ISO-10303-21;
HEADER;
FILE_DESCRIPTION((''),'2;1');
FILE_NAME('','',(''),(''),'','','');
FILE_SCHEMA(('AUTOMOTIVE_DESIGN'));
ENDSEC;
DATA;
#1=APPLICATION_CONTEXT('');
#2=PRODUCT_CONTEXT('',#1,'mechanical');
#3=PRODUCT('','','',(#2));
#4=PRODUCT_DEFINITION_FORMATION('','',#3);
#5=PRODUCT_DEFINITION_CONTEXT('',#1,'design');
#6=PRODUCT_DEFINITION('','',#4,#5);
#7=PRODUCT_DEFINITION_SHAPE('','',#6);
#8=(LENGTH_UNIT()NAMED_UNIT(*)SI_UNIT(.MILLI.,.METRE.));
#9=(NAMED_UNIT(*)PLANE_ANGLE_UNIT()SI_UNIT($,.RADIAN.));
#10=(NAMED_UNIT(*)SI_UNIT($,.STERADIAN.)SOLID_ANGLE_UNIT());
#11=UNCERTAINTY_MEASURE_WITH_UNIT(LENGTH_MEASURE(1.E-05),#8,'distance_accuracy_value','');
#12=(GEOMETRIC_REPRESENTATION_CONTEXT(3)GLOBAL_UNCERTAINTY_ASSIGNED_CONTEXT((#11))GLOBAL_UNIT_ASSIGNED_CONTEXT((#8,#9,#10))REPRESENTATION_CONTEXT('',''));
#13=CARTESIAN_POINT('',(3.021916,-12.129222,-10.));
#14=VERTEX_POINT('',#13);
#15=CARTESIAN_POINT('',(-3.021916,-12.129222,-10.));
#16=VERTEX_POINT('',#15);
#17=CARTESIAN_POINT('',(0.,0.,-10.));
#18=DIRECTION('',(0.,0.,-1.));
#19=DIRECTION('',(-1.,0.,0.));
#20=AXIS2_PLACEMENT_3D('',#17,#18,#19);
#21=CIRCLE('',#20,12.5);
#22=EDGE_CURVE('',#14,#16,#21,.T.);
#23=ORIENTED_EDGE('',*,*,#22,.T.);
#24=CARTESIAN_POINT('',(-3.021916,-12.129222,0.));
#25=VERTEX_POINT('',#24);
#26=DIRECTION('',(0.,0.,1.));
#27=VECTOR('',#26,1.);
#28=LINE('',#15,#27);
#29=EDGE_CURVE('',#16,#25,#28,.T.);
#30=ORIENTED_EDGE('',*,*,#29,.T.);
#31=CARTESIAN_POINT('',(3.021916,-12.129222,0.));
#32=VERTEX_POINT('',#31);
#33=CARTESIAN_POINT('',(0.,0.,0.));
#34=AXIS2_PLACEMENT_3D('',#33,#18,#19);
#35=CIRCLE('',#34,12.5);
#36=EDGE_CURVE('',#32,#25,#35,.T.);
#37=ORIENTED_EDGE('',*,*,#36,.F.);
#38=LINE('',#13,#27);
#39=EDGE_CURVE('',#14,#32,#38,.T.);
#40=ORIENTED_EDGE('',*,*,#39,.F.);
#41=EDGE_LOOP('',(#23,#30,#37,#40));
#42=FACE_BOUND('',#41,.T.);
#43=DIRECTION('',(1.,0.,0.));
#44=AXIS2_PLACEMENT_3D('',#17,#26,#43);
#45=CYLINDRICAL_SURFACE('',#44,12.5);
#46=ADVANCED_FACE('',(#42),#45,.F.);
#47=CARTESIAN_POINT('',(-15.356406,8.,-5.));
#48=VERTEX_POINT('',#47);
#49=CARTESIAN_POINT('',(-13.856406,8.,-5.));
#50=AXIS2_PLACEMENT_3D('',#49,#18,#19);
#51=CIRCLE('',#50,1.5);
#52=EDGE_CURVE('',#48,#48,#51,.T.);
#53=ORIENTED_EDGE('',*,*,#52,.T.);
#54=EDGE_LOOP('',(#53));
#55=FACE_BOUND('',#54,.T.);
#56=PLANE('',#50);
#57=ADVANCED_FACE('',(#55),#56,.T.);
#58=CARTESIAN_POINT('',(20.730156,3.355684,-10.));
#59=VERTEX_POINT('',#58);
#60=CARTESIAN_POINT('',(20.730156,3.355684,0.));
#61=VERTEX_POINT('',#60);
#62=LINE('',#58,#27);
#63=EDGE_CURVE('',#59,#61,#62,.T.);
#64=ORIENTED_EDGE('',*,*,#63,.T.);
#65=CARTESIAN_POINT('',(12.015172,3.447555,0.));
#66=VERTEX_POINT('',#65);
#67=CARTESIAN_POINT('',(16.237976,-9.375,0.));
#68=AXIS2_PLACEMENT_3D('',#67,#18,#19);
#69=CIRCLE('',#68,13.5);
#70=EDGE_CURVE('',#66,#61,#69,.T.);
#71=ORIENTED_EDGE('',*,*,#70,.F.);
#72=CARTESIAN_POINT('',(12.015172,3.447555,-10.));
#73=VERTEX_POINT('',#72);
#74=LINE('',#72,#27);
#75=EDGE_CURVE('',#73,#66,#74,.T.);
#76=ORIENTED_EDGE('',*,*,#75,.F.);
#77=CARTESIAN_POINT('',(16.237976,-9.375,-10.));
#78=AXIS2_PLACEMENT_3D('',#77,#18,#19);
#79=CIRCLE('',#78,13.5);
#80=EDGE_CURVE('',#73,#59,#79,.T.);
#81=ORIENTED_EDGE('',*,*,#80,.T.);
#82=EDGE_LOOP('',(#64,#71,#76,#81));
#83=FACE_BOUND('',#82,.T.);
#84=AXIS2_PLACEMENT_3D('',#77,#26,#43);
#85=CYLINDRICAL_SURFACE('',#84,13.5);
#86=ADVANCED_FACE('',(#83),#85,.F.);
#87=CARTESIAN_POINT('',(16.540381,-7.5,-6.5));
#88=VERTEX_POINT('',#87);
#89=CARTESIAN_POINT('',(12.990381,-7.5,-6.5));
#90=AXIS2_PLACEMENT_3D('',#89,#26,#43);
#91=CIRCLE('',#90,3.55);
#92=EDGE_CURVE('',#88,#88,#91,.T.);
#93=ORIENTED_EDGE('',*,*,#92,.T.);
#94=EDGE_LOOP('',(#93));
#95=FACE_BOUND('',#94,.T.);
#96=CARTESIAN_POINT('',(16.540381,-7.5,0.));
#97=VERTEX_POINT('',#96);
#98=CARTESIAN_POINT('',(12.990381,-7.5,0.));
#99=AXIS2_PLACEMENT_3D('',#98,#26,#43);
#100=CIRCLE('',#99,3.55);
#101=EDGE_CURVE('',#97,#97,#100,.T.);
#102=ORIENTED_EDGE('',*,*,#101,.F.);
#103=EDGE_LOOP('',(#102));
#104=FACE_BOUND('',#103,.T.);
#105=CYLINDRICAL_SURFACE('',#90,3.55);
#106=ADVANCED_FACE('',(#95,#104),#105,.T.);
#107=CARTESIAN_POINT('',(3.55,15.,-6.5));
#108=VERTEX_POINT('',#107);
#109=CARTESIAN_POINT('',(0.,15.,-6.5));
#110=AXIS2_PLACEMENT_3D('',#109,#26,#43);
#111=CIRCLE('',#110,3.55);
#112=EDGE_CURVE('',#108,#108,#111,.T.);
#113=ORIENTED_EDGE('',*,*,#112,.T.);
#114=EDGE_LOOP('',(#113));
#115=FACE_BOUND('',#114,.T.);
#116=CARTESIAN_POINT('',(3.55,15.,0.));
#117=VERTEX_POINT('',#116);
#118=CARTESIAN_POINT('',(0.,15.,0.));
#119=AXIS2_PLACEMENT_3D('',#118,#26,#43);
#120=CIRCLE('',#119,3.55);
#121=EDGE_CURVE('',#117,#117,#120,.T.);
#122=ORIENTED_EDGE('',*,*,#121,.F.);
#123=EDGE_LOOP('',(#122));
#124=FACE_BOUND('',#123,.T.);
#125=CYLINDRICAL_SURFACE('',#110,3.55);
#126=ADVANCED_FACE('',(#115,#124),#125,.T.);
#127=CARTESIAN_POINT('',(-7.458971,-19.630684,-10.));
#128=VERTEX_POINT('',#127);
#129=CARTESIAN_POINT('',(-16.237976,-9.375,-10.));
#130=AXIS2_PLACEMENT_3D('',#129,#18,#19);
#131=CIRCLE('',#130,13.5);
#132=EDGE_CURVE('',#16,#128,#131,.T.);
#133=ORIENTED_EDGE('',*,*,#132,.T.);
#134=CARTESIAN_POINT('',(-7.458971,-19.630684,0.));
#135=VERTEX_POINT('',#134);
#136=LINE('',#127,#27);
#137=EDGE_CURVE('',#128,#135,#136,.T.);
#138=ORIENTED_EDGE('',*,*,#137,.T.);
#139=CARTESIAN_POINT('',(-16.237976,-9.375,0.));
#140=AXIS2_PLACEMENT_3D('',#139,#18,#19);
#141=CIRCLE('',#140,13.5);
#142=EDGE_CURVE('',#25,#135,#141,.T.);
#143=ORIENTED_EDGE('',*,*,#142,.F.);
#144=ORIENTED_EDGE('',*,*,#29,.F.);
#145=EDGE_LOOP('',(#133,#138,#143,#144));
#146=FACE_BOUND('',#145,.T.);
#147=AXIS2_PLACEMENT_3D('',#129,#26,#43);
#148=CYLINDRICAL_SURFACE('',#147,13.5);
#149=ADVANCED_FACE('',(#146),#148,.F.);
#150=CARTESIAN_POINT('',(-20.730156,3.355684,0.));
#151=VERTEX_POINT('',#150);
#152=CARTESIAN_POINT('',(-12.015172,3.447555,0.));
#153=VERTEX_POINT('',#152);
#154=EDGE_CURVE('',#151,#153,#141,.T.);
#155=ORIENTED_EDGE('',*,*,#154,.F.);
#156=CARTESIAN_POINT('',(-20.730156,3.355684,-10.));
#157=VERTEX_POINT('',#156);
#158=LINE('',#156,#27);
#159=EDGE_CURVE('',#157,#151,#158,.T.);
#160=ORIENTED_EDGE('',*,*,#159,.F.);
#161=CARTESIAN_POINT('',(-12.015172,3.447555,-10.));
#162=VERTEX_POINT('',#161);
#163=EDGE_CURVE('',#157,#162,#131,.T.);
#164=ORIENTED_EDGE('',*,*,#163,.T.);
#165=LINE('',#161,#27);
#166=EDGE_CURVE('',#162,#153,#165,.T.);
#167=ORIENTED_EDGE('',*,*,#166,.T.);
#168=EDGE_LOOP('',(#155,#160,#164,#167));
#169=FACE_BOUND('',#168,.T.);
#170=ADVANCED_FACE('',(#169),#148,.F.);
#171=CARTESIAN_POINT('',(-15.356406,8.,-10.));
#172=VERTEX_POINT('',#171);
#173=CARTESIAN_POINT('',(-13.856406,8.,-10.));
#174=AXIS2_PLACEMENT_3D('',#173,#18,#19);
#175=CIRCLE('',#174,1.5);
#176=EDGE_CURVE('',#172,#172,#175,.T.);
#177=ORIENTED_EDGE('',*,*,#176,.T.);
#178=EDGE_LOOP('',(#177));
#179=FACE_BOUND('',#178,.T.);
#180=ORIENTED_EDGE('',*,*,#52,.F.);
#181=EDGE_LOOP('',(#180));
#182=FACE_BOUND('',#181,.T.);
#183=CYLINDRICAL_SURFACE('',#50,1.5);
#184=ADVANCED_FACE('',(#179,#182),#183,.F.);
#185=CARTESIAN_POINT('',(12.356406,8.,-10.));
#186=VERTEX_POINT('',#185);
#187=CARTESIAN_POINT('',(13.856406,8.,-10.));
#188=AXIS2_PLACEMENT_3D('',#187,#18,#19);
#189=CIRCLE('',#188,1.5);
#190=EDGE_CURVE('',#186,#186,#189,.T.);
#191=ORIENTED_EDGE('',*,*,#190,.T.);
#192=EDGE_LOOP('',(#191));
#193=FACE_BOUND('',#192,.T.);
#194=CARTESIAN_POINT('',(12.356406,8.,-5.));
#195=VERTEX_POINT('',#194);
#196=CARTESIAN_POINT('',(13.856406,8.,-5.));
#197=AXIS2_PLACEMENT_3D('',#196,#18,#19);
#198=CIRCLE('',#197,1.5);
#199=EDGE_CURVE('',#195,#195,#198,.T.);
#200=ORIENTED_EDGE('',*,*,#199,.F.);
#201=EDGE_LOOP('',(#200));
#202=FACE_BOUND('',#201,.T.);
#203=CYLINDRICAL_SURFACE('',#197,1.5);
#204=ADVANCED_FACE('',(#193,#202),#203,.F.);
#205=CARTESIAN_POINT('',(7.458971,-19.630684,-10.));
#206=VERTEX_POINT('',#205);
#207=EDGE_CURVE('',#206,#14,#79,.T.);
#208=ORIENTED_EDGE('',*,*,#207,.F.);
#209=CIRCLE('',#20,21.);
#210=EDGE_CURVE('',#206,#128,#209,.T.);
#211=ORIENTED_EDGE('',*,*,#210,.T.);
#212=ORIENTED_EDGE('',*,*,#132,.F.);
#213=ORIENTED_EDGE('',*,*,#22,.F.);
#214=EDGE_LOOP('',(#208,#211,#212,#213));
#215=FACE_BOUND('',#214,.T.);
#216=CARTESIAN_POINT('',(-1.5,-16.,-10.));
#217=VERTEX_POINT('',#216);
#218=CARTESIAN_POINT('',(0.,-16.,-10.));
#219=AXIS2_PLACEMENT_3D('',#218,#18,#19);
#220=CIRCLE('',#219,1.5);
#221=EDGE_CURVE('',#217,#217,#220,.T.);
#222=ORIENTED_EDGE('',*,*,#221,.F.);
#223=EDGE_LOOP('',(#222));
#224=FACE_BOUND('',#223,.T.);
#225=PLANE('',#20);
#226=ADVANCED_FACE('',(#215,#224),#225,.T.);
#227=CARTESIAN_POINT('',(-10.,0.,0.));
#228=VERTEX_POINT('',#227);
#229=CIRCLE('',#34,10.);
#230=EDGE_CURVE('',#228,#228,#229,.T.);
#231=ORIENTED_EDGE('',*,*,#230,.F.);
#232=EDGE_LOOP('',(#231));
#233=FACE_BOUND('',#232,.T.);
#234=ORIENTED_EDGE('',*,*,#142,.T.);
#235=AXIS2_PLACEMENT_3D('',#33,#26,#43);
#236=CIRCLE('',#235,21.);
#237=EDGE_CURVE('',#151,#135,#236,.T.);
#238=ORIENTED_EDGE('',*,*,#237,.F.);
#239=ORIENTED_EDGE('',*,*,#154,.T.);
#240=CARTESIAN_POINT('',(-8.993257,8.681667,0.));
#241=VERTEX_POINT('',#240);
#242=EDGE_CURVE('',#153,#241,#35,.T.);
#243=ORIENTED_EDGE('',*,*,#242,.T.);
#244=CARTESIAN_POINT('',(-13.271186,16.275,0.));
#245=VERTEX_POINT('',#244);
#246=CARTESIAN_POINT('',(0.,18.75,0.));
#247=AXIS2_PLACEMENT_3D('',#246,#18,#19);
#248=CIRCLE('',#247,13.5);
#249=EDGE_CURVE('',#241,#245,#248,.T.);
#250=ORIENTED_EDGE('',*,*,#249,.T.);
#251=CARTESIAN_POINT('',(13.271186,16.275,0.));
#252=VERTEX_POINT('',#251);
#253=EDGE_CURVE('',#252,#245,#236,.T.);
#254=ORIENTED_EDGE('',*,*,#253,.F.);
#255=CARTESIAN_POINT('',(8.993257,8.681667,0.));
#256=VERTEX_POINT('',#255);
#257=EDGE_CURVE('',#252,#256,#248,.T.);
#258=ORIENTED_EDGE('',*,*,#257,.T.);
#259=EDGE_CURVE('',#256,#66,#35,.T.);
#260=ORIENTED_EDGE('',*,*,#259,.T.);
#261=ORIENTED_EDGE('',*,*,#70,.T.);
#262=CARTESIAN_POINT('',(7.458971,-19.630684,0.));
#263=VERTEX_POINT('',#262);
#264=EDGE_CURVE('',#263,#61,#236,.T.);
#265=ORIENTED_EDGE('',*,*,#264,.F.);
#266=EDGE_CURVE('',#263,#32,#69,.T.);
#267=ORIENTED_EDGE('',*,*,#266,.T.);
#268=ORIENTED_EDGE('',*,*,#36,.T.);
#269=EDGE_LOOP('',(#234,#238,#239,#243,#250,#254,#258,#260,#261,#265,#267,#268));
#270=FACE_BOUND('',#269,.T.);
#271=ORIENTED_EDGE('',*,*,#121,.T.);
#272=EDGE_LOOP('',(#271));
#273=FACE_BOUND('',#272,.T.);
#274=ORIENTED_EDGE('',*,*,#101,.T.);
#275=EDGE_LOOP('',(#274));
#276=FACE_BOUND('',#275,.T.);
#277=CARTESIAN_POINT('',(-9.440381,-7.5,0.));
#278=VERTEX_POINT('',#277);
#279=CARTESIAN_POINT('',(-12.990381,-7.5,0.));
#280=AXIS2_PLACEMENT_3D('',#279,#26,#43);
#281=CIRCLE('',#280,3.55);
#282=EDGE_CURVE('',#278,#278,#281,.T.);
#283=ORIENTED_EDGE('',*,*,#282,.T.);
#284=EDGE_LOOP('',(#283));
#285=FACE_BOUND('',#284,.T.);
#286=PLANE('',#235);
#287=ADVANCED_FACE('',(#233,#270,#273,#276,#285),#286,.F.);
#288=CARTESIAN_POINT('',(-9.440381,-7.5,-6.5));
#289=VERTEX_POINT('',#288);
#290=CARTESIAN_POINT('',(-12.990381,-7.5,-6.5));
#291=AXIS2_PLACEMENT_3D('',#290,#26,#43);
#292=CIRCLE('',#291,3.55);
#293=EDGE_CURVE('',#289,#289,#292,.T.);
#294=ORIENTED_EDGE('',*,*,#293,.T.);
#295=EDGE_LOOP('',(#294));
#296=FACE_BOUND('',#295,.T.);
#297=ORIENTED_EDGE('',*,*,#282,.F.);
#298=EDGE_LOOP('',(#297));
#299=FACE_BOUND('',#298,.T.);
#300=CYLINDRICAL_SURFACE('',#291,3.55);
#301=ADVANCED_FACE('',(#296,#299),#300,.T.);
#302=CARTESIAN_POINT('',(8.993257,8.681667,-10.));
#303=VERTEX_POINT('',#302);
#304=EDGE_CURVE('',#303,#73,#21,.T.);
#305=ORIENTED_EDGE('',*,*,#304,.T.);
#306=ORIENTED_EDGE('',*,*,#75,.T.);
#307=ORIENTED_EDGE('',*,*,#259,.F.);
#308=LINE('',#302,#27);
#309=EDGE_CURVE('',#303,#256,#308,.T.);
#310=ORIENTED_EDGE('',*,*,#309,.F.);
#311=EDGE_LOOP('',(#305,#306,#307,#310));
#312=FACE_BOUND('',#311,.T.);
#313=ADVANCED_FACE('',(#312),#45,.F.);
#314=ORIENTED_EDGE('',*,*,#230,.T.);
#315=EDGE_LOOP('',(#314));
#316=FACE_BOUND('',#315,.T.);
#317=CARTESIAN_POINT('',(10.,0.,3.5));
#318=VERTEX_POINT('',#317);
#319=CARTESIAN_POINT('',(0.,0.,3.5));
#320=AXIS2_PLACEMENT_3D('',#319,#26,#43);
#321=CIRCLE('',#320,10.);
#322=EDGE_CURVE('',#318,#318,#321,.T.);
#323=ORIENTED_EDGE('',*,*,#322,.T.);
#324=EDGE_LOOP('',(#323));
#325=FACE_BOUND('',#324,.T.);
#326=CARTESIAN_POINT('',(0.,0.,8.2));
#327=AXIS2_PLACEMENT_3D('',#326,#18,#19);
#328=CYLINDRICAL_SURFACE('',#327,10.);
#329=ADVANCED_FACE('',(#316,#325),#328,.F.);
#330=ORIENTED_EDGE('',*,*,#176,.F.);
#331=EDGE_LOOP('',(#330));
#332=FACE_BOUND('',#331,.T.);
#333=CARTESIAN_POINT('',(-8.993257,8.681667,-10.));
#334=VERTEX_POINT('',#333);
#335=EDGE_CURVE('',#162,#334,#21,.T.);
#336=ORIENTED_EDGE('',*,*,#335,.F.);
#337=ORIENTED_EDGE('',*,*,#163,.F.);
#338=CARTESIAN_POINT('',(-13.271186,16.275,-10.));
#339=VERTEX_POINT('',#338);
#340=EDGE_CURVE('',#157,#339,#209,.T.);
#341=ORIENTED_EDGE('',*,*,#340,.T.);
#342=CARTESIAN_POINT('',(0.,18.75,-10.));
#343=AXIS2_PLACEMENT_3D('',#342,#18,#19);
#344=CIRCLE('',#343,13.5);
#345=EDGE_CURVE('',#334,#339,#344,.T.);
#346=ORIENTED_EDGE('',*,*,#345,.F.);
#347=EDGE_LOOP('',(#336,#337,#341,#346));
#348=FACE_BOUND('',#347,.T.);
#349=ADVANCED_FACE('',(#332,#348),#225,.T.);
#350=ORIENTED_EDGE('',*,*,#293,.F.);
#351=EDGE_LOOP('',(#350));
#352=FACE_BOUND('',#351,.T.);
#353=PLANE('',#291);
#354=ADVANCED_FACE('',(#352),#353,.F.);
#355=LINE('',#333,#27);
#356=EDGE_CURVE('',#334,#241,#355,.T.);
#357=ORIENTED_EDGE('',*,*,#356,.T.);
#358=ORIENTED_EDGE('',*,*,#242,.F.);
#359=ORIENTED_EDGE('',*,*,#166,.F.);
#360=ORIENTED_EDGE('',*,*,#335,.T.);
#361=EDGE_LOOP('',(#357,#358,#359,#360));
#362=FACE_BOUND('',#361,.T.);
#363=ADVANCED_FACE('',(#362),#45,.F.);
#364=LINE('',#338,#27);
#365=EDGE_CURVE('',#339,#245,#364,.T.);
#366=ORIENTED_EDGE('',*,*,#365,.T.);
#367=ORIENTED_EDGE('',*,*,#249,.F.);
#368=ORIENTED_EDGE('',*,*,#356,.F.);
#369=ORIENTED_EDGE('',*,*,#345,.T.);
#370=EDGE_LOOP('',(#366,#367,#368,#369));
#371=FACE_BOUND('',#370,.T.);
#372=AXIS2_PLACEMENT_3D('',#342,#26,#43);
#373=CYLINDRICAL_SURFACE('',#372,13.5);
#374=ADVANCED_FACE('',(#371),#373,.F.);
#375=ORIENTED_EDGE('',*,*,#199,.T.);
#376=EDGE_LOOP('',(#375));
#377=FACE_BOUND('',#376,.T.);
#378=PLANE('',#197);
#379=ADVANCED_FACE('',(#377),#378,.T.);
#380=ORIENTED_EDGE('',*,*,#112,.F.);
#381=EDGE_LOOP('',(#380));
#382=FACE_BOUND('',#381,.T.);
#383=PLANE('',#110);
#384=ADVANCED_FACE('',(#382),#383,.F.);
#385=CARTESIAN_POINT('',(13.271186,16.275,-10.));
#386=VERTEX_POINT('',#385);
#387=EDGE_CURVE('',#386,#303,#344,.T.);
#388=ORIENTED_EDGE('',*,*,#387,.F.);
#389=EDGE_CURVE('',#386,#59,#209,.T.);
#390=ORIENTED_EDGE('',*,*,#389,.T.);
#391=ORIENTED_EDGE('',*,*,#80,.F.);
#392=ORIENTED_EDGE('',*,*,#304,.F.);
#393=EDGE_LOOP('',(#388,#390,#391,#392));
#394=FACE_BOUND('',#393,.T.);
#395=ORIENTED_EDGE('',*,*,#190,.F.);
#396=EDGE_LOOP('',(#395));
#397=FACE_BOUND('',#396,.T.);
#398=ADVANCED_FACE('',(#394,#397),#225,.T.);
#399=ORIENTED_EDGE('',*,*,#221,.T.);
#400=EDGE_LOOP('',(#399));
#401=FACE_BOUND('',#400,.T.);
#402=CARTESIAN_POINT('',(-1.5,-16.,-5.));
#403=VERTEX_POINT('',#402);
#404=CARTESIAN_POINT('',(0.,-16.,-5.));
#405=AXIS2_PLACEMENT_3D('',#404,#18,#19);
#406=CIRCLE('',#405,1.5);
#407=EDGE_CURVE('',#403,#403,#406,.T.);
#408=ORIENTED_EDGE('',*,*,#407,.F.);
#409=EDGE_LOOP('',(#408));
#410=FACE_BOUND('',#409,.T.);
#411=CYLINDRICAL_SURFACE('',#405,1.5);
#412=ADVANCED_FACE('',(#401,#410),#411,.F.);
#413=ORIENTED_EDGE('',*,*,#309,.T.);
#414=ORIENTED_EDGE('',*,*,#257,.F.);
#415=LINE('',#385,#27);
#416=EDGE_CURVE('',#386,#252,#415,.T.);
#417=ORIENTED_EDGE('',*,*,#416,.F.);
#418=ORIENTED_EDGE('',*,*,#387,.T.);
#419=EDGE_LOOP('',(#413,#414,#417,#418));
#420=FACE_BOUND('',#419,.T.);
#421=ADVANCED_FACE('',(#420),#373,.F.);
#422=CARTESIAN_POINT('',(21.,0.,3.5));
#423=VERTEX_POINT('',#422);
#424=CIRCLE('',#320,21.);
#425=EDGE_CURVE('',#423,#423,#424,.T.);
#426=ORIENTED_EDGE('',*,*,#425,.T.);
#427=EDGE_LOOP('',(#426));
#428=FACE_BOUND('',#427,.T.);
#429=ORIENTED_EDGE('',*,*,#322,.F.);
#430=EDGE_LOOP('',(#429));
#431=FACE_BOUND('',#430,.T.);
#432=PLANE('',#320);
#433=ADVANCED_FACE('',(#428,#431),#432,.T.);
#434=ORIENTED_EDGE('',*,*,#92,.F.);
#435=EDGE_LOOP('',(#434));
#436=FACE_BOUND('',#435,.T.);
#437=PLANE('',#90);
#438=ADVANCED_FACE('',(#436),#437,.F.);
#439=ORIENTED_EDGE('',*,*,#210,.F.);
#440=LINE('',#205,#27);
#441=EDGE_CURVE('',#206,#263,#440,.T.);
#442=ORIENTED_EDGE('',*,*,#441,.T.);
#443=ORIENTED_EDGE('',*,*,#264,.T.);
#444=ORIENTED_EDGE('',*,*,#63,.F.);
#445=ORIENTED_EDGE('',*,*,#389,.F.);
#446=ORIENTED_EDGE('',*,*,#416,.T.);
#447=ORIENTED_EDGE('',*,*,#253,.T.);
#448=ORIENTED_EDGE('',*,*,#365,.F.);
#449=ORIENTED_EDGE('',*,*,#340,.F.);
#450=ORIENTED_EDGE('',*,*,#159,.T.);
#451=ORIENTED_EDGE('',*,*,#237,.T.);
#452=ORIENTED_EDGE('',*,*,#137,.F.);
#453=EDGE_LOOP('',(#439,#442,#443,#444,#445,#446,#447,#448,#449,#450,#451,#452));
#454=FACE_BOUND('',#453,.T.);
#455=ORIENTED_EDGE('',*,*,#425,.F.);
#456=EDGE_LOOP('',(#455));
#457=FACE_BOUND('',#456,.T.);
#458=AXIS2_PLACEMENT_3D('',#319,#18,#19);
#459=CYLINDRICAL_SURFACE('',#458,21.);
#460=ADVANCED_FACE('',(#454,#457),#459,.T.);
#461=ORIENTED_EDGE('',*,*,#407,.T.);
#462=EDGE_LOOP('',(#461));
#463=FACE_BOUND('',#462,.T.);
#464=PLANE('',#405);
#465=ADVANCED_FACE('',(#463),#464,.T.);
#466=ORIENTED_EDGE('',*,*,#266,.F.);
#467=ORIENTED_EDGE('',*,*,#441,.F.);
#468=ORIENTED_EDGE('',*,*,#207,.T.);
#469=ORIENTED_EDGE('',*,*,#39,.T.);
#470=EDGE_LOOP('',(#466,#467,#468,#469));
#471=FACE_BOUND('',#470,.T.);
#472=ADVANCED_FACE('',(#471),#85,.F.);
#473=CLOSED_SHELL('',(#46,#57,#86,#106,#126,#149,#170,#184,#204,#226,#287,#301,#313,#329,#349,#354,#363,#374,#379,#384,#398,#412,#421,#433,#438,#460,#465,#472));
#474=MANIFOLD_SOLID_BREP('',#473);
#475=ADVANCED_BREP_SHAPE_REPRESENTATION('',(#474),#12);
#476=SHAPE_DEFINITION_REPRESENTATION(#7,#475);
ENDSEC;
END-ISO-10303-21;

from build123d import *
from build123d.topology import SkipClean

# Parameters (mm, degrees)
SKETCH1_R           = 21
BOSS_EXTRUDE1_DEPTH = 3.5
SKETCH4_R           = 10
CUT_EXTRUDE1_DEPTH  = 8.2
SKETCH11_R          = 1.5
CUT_EXTRUDE2_DEPTH  = 10
BOSS_EXTRUDE2_START = 10
BOSS_EXTRUDE2_DEPTH = 10
SKETCH14_R          = 1.5
CUT_EXTRUDE3_DEPTH  = 5
SKETCH16_R          = 3.55
BOSS_EXTRUDE3_DEPTH = 10


with BuildPart() as part:
    # Sketch1 → Boss-Extrude1 (new body)
    with BuildSketch(Plane.XY):
        Circle(SKETCH1_R)
    extrude(amount=BOSS_EXTRUDE1_DEPTH)

    # Sketch4 → Cut-Extrude1 (cut)
    with BuildSketch(Plane(origin=(0, 0, 0), x_dir=(-1, 0, 0), z_dir=(0, 0, -1))):
        Circle(SKETCH4_R)
    extrude(amount=-CUT_EXTRUDE1_DEPTH, mode=Mode.SUBTRACT)

    # Sketch11 → Cut-Extrude2 (cut)
    with BuildSketch(Plane(origin=(0, 0, 0), x_dir=(-1, 0, 0), z_dir=(0, 0, -1))):
        with Locations((0, 15)):
            Circle(SKETCH11_R)
        with Locations((12.990381057, -7.5)):
            Circle(SKETCH11_R)
        with Locations((-12.990381057, -7.5)):
            Circle(SKETCH11_R)
    extrude(amount=-CUT_EXTRUDE2_DEPTH, mode=Mode.SUBTRACT)

    # Sketch3 → Boss-Extrude2 (add)
    with SkipClean():  # the faces are left unmerged after this step: merging them gives an invalid solid
        with BuildSketch(Plane(origin=(0, 0, 0), x_dir=(-1, 0, 0), z_dir=(0, 0, -1)).offset(BOSS_EXTRUDE2_START)):
            with BuildLine():
                ThreePointArc((-3.021915591, -12.129221993), (-4.618435811, -16.247865366), (-7.4589705, -19.630684121))
                ThreePointArc((-7.4589705, -19.630684121), (0, -21), (7.4589705, -19.630684121))
                ThreePointArc((7.4589705, -19.630684121), (4.618435811, -16.247865366), (3.021915591, -12.129221993))
                ThreePointArc((3.021915591, -12.129221993), (0, -12.5), (-3.021915591, -12.129221993))
            make_face()
            with BuildLine():
                ThreePointArc((-20.730156393, 3.355684121), (-16.38028207, 4.124249945), (-12.01517217, 3.447555327))
                ThreePointArc((-12.01517217, 3.447555327), (-10.825317547, 6.25), (-8.993256579, 8.681666667))
                ThreePointArc((-8.993256579, 8.681666667), (-11.761846259, 12.123615422), (-13.271185893, 16.275))
                ThreePointArc((-13.271185893, 16.275), (-18.186533479, 10.5), (-20.730156393, 3.355684121))
            make_face()
            with BuildLine():
                ThreePointArc((8.993256579, 8.681666667), (10.825317547, 6.25), (12.01517217, 3.447555327))
                ThreePointArc((12.01517217, 3.447555327), (16.38028207, 4.124249945), (20.730156393, 3.355684121))
                ThreePointArc((20.730156393, 3.355684121), (18.186533479, 10.5), (13.271185893, 16.275))
                ThreePointArc((13.271185893, 16.275), (11.761846259, 12.123615422), (8.993256579, 8.681666667))
            make_face()
        extrude(amount=-BOSS_EXTRUDE2_DEPTH)

    # Sketch14 → Cut-Extrude3 (cut)
    with SkipClean():  # the faces are left unmerged after this step: merging them gives an invalid solid
        with BuildSketch(Plane(origin=(0, 0, -10), x_dir=(-1, 0, 0), z_dir=(0, 0, -1))):
            with Locations((13.856406461, 8)):
                Circle(SKETCH14_R)
            with Locations((0, -16)):
                Circle(SKETCH14_R)
            with Locations((-13.856406461, 8)):
                Circle(SKETCH14_R)
        extrude(amount=-CUT_EXTRUDE3_DEPTH, mode=Mode.SUBTRACT)

    # Sketch16 → Boss-Extrude3 (add)
    with SkipClean():  # the faces are left unmerged after this step: merging them gives an invalid solid
        with BuildSketch(Plane.XY.offset(3.5)):
            with Locations((0, 15)):
                Circle(SKETCH16_R)
            with Locations((12.990381057, -7.5)):
                Circle(SKETCH16_R)
            with Locations((-12.990381057, -7.5)):
                Circle(SKETCH16_R)
        extrude(amount=-BOSS_EXTRUDE3_DEPTH)


solid = part.part
